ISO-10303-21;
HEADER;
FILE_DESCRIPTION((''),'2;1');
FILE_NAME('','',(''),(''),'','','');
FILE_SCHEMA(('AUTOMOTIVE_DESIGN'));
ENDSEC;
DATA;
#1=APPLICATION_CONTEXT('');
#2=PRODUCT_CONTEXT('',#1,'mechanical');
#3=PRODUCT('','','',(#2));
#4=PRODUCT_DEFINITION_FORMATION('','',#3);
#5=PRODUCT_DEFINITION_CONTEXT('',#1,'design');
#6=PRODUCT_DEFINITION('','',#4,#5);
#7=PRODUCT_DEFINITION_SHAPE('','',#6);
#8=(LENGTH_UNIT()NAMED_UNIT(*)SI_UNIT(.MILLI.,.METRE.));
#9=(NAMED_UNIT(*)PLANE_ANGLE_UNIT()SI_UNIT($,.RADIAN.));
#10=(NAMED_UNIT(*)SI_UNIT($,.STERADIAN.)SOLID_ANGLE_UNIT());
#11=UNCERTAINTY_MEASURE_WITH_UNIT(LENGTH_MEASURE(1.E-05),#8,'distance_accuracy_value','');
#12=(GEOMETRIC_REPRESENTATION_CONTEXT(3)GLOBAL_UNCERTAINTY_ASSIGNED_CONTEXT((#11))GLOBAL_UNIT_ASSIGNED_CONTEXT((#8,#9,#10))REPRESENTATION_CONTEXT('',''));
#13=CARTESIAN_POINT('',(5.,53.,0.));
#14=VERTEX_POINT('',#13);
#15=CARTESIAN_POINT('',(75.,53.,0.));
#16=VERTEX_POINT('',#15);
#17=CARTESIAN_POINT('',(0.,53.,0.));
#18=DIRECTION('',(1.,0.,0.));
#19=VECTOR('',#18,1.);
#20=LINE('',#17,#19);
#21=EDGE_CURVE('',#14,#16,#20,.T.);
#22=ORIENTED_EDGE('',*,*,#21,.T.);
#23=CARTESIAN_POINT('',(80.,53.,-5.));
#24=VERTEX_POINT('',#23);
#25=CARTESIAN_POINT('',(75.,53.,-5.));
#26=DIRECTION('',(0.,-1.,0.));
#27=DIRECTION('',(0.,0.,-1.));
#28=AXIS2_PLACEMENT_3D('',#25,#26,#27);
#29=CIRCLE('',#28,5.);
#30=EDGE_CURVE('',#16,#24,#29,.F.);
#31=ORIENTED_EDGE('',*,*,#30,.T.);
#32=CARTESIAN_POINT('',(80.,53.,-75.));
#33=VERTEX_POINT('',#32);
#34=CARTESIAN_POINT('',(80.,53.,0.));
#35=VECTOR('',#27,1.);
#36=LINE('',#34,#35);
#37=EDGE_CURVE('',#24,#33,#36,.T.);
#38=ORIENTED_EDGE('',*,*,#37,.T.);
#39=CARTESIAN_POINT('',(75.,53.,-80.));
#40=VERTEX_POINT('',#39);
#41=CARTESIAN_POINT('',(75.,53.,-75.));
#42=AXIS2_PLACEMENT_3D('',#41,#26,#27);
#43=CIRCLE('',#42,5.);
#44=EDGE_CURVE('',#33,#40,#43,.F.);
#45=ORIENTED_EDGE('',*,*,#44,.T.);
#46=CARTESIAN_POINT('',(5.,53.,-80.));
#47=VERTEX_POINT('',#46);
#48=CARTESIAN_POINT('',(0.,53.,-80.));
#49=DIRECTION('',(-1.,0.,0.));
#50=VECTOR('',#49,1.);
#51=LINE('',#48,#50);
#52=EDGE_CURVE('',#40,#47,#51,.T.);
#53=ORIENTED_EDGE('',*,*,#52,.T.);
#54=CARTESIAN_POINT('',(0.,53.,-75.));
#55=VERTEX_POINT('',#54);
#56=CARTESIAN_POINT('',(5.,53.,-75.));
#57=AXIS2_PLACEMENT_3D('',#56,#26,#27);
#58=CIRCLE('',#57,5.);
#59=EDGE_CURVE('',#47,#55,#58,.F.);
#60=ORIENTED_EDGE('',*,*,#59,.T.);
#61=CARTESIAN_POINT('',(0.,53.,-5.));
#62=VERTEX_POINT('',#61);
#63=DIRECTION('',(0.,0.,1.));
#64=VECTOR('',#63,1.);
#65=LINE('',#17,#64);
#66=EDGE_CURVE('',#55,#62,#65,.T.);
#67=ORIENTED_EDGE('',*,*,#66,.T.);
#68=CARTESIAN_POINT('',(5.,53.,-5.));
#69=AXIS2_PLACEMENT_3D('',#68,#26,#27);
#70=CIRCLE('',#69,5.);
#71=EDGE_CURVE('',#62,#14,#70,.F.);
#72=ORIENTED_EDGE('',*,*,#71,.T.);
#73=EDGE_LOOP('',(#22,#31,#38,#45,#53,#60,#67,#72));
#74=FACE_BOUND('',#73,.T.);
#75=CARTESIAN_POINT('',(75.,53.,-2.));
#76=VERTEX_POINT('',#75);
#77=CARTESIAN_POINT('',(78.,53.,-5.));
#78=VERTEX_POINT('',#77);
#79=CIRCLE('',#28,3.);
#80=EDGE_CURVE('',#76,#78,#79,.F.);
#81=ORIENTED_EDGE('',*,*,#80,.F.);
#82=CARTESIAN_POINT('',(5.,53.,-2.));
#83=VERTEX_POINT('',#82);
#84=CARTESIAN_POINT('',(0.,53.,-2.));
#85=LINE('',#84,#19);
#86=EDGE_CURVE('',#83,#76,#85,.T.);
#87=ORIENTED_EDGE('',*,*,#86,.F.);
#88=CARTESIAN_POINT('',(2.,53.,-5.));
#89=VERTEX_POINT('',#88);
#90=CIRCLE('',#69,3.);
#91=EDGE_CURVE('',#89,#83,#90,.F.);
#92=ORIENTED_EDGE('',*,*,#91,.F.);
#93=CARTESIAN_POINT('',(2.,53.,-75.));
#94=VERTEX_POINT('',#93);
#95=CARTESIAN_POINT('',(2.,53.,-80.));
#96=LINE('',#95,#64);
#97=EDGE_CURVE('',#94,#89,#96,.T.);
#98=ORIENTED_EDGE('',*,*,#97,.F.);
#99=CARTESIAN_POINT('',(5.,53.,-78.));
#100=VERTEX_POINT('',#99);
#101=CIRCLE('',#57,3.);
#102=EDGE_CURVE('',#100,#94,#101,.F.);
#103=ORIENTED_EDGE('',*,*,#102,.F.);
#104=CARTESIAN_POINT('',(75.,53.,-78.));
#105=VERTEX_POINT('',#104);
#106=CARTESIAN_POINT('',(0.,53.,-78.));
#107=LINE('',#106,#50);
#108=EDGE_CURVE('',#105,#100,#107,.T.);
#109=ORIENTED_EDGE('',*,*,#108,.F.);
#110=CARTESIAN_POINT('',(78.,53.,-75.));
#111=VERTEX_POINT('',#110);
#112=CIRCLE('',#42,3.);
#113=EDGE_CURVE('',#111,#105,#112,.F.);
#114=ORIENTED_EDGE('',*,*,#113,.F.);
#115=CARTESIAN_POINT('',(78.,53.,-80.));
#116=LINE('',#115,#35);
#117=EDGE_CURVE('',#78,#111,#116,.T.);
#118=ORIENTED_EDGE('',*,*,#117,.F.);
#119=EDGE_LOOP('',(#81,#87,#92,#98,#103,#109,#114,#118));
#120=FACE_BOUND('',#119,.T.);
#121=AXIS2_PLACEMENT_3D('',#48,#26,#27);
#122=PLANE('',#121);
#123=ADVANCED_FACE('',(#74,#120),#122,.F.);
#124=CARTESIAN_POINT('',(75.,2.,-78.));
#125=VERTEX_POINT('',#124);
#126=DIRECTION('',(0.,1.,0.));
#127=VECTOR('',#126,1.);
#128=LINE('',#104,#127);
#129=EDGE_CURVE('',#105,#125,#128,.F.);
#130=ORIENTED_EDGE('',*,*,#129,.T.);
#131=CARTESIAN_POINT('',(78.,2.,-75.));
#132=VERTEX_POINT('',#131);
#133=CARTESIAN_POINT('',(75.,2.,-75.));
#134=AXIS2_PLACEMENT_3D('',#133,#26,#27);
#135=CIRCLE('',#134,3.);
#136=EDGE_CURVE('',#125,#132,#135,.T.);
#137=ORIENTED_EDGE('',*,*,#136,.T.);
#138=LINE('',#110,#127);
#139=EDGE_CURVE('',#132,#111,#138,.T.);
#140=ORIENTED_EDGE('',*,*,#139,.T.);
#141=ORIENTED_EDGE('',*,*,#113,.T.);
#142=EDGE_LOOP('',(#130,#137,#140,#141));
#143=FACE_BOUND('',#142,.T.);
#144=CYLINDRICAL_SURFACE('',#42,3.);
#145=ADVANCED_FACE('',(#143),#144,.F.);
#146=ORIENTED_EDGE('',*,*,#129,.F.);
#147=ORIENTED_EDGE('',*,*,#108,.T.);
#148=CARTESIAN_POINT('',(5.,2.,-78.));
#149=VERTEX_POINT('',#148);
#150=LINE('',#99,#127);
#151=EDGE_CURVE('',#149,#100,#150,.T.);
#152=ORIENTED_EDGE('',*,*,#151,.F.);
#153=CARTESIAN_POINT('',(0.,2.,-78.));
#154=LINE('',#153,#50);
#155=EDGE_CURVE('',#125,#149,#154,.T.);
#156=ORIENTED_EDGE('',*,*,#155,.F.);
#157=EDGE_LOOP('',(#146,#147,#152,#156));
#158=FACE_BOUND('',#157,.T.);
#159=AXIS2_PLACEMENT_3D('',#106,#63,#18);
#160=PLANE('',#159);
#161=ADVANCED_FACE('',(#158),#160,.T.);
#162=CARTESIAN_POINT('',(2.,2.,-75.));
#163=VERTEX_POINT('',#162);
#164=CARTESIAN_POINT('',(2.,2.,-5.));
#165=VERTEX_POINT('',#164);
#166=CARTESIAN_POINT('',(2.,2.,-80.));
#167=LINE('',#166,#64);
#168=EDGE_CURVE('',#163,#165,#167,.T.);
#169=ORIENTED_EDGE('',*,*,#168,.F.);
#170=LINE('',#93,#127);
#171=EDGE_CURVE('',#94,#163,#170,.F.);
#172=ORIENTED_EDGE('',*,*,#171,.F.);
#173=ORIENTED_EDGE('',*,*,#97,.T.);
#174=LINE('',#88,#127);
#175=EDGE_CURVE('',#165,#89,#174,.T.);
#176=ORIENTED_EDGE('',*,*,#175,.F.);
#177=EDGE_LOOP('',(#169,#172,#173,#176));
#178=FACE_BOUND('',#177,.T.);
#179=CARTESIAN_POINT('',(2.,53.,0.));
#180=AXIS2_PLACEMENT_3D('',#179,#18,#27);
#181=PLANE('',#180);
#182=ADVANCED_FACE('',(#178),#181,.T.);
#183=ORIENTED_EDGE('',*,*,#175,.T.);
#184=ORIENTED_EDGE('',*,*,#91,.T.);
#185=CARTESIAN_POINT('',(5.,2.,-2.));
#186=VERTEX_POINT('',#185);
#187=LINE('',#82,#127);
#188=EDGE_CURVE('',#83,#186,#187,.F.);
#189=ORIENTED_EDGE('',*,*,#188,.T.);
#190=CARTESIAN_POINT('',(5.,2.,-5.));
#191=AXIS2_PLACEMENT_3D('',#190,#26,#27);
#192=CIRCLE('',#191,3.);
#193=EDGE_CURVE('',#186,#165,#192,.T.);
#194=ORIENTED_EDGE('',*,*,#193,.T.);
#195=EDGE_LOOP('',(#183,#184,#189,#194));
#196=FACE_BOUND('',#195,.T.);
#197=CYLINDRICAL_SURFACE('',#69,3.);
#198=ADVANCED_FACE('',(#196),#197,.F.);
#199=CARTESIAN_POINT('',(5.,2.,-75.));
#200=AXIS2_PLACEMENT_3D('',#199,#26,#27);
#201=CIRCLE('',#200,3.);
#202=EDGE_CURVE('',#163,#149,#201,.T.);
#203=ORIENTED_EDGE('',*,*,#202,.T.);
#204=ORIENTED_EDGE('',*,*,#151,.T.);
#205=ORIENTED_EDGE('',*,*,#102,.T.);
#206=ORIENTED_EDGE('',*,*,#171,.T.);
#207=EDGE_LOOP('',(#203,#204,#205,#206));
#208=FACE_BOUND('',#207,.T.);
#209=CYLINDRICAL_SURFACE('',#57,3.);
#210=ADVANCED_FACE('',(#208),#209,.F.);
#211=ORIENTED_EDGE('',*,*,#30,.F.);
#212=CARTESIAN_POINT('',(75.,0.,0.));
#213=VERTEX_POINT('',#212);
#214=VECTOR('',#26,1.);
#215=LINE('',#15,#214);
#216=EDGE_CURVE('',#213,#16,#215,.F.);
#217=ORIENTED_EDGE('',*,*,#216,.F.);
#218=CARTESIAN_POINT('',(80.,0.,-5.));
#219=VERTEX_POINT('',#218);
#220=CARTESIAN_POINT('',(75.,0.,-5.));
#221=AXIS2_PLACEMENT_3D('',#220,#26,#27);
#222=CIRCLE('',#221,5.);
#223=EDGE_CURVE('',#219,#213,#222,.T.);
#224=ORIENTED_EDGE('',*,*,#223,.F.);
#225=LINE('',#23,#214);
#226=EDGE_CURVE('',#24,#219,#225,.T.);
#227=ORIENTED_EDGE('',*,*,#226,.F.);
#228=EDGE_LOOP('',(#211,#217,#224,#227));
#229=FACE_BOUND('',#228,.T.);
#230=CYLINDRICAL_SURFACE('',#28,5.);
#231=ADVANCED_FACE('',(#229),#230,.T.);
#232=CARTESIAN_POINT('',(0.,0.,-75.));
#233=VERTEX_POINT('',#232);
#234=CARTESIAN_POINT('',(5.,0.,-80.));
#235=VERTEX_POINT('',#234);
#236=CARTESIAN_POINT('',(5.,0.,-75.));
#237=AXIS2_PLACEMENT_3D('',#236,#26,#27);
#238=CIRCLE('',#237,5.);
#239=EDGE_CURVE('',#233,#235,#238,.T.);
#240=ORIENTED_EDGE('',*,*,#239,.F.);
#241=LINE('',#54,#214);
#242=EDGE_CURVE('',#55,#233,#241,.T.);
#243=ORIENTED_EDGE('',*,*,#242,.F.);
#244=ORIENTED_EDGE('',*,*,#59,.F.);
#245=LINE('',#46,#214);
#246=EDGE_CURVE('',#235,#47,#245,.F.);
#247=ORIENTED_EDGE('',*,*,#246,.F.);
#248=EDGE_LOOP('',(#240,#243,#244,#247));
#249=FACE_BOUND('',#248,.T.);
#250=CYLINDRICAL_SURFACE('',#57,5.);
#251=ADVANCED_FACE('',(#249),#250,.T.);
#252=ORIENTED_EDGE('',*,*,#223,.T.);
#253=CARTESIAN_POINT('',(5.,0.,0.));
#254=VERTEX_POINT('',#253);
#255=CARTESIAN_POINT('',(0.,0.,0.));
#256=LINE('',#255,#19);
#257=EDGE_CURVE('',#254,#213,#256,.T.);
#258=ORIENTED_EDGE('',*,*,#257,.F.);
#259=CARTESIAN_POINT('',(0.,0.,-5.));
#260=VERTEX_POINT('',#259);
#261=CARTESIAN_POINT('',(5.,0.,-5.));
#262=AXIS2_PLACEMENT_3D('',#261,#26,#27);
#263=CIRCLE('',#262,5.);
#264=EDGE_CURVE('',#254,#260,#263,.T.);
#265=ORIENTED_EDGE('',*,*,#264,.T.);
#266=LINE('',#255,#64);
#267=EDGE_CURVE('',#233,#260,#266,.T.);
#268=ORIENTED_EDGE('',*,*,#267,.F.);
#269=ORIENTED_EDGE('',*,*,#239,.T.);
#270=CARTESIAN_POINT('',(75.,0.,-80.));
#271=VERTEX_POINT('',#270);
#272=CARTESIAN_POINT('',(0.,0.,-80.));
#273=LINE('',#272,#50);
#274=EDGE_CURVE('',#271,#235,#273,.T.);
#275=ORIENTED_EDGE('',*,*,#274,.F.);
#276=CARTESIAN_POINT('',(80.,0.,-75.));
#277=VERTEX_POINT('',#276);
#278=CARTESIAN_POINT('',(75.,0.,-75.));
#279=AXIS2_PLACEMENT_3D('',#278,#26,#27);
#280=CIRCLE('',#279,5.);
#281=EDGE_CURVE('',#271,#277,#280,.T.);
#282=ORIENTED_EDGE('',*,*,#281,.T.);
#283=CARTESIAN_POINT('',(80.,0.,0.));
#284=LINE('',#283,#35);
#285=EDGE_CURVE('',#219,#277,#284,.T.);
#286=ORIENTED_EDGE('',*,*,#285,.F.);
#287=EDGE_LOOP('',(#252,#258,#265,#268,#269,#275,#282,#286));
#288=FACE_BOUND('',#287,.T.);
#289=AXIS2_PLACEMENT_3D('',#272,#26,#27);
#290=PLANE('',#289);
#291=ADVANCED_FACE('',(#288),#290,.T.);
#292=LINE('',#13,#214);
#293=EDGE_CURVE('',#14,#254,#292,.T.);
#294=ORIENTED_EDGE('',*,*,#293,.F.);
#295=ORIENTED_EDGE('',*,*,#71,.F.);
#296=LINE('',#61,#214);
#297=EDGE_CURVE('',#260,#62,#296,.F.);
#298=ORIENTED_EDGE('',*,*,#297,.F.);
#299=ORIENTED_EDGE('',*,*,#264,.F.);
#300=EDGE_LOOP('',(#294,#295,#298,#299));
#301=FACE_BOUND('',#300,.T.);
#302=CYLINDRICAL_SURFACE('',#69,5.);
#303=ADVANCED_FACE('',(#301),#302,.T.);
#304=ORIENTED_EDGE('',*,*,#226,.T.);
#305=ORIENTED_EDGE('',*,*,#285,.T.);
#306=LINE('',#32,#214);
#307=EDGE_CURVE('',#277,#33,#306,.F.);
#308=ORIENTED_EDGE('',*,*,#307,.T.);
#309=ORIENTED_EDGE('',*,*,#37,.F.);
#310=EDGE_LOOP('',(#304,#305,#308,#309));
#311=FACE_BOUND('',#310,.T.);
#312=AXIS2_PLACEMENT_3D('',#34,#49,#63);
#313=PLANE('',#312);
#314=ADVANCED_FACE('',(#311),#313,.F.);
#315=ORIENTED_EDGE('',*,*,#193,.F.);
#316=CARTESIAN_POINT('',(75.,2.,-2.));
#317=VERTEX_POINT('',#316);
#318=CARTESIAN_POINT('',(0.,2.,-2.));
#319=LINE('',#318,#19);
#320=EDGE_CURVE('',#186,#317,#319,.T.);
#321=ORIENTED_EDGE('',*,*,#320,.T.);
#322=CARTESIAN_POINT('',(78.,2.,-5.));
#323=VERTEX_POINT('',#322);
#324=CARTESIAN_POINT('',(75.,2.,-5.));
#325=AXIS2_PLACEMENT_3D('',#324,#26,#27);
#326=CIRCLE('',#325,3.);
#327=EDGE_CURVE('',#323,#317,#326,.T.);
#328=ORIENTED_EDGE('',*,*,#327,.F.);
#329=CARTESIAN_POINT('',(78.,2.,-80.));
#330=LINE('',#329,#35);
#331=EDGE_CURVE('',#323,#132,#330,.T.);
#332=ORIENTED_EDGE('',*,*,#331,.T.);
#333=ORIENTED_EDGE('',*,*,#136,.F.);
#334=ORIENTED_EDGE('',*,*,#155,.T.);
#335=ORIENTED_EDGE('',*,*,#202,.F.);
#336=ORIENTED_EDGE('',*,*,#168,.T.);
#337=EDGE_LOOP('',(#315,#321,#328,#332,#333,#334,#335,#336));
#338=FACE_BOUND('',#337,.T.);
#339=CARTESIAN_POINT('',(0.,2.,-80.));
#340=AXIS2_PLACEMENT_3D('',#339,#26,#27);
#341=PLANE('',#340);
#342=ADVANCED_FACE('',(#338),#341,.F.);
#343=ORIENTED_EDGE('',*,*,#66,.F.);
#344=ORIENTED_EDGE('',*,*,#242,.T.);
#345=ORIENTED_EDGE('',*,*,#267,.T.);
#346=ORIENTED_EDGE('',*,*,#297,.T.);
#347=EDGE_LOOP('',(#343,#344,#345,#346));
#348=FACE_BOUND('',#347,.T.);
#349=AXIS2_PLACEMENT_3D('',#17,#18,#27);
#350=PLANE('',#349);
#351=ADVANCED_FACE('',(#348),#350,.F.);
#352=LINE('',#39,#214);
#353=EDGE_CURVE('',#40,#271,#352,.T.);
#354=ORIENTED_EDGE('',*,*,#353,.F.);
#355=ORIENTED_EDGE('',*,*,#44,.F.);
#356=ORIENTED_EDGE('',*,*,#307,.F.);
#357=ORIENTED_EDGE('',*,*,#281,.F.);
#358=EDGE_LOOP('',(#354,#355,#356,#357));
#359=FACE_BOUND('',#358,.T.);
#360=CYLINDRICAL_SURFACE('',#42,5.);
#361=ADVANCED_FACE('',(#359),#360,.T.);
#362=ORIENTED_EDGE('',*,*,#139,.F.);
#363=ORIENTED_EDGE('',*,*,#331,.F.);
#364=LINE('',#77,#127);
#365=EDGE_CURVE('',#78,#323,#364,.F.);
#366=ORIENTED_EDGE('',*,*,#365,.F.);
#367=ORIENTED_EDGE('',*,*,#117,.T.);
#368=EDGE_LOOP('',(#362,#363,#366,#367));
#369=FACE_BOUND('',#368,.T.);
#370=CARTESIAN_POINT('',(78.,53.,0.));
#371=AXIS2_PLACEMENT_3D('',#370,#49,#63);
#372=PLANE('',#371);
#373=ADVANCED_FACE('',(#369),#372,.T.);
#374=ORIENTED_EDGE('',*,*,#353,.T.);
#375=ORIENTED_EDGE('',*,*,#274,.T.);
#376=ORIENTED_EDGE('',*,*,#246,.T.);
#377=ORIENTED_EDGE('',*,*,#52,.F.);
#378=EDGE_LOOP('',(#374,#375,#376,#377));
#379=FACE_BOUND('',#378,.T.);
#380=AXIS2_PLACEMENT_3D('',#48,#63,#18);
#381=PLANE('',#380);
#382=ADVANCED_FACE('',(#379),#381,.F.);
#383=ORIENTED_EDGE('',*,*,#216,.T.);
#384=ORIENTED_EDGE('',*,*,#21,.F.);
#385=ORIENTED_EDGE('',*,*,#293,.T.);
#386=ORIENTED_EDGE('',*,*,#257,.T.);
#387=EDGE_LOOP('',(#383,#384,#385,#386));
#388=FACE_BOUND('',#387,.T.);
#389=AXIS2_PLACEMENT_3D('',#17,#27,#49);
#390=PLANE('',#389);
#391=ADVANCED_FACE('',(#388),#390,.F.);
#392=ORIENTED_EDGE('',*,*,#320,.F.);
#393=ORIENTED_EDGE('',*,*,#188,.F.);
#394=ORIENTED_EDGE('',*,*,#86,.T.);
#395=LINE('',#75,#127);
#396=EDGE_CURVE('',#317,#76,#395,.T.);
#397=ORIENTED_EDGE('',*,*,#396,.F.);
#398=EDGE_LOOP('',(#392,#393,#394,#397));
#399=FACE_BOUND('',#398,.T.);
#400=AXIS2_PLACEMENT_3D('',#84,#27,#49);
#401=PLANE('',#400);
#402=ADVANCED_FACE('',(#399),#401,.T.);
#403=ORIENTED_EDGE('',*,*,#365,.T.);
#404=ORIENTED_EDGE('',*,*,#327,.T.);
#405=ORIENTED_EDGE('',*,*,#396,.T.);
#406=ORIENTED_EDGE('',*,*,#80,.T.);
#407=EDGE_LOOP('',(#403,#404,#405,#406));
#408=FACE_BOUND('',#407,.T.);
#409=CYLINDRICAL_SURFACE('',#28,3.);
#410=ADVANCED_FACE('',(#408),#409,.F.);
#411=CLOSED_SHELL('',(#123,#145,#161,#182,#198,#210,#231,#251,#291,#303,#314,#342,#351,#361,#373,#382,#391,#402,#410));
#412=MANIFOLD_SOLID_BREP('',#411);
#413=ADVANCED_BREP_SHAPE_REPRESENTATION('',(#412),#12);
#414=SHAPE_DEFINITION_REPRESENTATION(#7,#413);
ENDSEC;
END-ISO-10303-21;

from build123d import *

# Parameters (mm, degrees)
ESQUISSE1_W      = 80
ESQUISSE1_H      = 80
EXTRUSION1_DEPTH = 53
CONG_1_R         = 5
COQUE1_T         = -2


with BuildPart() as part:
    # Esquisse1 → Extrusion1 (new body)
    with BuildSketch(Plane(origin=(0, 0, 0), x_dir=(1, 0, 0), z_dir=(0, 1, 0))):
        with Locations((40, 40)):
            Rectangle(ESQUISSE1_W, ESQUISSE1_H)
    extrude(amount=EXTRUSION1_DEPTH)

    # Congé1
    cong_1_edges = [part.edges().sort_by_distance(p)[0] for p in [
        (0, 26.5, -80),
        (80, 26.5, -80),
        (80, 26.5, 0),
        (0, 26.5, 0),
    ]]
    fillet(cong_1_edges, radius=CONG_1_R)

    # Coque1
    coque1_openings = [part.faces().sort_by_distance(p)[0] for p in [
        (40, 53, -40),
    ]]
    offset(amount=COQUE1_T, openings=coque1_openings, kind=Kind.INTERSECTION)


solid = part.part
